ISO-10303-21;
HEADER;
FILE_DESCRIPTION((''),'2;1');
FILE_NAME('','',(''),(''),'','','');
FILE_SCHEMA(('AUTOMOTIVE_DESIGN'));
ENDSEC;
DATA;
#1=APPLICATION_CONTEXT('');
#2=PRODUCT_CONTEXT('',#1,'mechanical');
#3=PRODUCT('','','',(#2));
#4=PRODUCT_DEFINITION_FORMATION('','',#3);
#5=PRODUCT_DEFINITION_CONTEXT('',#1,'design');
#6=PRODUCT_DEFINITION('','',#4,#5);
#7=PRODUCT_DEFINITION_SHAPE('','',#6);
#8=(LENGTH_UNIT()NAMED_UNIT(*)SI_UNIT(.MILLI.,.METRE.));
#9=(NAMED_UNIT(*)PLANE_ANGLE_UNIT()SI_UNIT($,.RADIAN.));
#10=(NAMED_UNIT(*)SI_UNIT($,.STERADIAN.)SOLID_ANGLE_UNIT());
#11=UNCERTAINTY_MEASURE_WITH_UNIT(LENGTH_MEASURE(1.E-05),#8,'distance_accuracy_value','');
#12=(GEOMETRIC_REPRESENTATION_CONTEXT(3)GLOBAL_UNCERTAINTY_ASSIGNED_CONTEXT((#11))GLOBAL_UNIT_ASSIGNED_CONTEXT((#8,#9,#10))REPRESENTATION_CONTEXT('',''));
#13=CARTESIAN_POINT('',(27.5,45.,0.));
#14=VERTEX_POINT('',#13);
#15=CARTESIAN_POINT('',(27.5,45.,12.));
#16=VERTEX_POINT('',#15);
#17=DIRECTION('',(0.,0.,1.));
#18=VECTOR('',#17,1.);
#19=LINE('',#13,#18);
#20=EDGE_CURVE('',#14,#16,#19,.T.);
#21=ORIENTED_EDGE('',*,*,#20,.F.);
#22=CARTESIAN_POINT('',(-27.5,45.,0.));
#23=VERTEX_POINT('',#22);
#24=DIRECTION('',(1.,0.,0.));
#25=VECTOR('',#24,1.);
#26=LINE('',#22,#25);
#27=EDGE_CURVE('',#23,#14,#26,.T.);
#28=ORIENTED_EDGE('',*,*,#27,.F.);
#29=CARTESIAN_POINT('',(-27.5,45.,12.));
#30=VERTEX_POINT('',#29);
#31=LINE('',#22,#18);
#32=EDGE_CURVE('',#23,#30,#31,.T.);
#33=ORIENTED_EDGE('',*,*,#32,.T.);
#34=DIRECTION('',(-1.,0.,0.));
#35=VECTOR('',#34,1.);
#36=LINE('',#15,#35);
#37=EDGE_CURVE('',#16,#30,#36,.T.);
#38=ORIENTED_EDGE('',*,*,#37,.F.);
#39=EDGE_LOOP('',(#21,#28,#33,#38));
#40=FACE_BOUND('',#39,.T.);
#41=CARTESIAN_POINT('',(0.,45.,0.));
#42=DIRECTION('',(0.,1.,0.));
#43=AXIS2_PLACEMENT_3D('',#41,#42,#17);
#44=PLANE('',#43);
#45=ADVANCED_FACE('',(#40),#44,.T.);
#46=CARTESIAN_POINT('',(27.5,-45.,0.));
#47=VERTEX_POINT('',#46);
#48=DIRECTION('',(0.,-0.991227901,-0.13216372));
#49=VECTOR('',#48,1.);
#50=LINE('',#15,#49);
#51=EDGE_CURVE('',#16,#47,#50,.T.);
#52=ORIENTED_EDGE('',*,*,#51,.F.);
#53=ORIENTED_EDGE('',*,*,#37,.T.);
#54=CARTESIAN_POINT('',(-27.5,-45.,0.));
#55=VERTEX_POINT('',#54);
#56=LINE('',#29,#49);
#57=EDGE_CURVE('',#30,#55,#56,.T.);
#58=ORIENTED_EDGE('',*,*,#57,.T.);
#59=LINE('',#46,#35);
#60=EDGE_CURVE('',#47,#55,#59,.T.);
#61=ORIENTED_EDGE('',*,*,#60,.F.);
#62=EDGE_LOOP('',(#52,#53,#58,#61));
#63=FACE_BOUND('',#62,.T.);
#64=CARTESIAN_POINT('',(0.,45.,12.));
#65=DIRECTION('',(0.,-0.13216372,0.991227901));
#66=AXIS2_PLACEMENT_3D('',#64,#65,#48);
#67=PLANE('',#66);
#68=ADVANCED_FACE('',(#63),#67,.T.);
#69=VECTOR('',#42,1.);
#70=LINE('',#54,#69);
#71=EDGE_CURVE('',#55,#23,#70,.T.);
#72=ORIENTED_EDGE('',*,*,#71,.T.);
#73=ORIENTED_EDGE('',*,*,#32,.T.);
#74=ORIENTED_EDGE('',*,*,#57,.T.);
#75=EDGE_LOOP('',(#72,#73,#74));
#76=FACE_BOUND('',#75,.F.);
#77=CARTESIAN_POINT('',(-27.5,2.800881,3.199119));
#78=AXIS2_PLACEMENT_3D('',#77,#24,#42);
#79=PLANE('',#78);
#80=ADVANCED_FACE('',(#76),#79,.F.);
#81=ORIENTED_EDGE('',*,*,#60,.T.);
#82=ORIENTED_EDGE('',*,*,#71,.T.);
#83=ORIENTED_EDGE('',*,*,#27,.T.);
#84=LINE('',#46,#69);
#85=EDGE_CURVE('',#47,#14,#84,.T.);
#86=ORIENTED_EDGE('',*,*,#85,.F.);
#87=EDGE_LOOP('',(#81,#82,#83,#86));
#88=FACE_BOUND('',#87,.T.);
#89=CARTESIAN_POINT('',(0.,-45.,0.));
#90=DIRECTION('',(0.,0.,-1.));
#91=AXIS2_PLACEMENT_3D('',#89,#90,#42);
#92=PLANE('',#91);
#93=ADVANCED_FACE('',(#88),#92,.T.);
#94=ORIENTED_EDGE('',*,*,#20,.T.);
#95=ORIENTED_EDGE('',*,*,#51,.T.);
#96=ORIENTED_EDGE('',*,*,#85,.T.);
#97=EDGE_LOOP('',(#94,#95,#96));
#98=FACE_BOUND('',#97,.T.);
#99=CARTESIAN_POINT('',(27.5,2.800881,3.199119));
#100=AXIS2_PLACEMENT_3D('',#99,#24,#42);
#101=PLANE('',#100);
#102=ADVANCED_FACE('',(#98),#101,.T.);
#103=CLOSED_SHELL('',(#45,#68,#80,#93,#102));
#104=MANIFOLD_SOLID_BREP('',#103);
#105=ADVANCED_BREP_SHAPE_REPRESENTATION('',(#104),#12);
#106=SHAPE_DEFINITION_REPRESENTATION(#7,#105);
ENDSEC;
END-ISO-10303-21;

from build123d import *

# Parameters (mm, degrees)
PAD_DEPTH = 27.5


with BuildPart() as part:
    # Sketch → Pad (new body, symmetric)
    with BuildSketch(Plane.YZ):
        Polygon((-45, 0), (45, 0), (45, 12), align=None)
    extrude(amount=PAD_DEPTH, both=True)


solid = part.part
